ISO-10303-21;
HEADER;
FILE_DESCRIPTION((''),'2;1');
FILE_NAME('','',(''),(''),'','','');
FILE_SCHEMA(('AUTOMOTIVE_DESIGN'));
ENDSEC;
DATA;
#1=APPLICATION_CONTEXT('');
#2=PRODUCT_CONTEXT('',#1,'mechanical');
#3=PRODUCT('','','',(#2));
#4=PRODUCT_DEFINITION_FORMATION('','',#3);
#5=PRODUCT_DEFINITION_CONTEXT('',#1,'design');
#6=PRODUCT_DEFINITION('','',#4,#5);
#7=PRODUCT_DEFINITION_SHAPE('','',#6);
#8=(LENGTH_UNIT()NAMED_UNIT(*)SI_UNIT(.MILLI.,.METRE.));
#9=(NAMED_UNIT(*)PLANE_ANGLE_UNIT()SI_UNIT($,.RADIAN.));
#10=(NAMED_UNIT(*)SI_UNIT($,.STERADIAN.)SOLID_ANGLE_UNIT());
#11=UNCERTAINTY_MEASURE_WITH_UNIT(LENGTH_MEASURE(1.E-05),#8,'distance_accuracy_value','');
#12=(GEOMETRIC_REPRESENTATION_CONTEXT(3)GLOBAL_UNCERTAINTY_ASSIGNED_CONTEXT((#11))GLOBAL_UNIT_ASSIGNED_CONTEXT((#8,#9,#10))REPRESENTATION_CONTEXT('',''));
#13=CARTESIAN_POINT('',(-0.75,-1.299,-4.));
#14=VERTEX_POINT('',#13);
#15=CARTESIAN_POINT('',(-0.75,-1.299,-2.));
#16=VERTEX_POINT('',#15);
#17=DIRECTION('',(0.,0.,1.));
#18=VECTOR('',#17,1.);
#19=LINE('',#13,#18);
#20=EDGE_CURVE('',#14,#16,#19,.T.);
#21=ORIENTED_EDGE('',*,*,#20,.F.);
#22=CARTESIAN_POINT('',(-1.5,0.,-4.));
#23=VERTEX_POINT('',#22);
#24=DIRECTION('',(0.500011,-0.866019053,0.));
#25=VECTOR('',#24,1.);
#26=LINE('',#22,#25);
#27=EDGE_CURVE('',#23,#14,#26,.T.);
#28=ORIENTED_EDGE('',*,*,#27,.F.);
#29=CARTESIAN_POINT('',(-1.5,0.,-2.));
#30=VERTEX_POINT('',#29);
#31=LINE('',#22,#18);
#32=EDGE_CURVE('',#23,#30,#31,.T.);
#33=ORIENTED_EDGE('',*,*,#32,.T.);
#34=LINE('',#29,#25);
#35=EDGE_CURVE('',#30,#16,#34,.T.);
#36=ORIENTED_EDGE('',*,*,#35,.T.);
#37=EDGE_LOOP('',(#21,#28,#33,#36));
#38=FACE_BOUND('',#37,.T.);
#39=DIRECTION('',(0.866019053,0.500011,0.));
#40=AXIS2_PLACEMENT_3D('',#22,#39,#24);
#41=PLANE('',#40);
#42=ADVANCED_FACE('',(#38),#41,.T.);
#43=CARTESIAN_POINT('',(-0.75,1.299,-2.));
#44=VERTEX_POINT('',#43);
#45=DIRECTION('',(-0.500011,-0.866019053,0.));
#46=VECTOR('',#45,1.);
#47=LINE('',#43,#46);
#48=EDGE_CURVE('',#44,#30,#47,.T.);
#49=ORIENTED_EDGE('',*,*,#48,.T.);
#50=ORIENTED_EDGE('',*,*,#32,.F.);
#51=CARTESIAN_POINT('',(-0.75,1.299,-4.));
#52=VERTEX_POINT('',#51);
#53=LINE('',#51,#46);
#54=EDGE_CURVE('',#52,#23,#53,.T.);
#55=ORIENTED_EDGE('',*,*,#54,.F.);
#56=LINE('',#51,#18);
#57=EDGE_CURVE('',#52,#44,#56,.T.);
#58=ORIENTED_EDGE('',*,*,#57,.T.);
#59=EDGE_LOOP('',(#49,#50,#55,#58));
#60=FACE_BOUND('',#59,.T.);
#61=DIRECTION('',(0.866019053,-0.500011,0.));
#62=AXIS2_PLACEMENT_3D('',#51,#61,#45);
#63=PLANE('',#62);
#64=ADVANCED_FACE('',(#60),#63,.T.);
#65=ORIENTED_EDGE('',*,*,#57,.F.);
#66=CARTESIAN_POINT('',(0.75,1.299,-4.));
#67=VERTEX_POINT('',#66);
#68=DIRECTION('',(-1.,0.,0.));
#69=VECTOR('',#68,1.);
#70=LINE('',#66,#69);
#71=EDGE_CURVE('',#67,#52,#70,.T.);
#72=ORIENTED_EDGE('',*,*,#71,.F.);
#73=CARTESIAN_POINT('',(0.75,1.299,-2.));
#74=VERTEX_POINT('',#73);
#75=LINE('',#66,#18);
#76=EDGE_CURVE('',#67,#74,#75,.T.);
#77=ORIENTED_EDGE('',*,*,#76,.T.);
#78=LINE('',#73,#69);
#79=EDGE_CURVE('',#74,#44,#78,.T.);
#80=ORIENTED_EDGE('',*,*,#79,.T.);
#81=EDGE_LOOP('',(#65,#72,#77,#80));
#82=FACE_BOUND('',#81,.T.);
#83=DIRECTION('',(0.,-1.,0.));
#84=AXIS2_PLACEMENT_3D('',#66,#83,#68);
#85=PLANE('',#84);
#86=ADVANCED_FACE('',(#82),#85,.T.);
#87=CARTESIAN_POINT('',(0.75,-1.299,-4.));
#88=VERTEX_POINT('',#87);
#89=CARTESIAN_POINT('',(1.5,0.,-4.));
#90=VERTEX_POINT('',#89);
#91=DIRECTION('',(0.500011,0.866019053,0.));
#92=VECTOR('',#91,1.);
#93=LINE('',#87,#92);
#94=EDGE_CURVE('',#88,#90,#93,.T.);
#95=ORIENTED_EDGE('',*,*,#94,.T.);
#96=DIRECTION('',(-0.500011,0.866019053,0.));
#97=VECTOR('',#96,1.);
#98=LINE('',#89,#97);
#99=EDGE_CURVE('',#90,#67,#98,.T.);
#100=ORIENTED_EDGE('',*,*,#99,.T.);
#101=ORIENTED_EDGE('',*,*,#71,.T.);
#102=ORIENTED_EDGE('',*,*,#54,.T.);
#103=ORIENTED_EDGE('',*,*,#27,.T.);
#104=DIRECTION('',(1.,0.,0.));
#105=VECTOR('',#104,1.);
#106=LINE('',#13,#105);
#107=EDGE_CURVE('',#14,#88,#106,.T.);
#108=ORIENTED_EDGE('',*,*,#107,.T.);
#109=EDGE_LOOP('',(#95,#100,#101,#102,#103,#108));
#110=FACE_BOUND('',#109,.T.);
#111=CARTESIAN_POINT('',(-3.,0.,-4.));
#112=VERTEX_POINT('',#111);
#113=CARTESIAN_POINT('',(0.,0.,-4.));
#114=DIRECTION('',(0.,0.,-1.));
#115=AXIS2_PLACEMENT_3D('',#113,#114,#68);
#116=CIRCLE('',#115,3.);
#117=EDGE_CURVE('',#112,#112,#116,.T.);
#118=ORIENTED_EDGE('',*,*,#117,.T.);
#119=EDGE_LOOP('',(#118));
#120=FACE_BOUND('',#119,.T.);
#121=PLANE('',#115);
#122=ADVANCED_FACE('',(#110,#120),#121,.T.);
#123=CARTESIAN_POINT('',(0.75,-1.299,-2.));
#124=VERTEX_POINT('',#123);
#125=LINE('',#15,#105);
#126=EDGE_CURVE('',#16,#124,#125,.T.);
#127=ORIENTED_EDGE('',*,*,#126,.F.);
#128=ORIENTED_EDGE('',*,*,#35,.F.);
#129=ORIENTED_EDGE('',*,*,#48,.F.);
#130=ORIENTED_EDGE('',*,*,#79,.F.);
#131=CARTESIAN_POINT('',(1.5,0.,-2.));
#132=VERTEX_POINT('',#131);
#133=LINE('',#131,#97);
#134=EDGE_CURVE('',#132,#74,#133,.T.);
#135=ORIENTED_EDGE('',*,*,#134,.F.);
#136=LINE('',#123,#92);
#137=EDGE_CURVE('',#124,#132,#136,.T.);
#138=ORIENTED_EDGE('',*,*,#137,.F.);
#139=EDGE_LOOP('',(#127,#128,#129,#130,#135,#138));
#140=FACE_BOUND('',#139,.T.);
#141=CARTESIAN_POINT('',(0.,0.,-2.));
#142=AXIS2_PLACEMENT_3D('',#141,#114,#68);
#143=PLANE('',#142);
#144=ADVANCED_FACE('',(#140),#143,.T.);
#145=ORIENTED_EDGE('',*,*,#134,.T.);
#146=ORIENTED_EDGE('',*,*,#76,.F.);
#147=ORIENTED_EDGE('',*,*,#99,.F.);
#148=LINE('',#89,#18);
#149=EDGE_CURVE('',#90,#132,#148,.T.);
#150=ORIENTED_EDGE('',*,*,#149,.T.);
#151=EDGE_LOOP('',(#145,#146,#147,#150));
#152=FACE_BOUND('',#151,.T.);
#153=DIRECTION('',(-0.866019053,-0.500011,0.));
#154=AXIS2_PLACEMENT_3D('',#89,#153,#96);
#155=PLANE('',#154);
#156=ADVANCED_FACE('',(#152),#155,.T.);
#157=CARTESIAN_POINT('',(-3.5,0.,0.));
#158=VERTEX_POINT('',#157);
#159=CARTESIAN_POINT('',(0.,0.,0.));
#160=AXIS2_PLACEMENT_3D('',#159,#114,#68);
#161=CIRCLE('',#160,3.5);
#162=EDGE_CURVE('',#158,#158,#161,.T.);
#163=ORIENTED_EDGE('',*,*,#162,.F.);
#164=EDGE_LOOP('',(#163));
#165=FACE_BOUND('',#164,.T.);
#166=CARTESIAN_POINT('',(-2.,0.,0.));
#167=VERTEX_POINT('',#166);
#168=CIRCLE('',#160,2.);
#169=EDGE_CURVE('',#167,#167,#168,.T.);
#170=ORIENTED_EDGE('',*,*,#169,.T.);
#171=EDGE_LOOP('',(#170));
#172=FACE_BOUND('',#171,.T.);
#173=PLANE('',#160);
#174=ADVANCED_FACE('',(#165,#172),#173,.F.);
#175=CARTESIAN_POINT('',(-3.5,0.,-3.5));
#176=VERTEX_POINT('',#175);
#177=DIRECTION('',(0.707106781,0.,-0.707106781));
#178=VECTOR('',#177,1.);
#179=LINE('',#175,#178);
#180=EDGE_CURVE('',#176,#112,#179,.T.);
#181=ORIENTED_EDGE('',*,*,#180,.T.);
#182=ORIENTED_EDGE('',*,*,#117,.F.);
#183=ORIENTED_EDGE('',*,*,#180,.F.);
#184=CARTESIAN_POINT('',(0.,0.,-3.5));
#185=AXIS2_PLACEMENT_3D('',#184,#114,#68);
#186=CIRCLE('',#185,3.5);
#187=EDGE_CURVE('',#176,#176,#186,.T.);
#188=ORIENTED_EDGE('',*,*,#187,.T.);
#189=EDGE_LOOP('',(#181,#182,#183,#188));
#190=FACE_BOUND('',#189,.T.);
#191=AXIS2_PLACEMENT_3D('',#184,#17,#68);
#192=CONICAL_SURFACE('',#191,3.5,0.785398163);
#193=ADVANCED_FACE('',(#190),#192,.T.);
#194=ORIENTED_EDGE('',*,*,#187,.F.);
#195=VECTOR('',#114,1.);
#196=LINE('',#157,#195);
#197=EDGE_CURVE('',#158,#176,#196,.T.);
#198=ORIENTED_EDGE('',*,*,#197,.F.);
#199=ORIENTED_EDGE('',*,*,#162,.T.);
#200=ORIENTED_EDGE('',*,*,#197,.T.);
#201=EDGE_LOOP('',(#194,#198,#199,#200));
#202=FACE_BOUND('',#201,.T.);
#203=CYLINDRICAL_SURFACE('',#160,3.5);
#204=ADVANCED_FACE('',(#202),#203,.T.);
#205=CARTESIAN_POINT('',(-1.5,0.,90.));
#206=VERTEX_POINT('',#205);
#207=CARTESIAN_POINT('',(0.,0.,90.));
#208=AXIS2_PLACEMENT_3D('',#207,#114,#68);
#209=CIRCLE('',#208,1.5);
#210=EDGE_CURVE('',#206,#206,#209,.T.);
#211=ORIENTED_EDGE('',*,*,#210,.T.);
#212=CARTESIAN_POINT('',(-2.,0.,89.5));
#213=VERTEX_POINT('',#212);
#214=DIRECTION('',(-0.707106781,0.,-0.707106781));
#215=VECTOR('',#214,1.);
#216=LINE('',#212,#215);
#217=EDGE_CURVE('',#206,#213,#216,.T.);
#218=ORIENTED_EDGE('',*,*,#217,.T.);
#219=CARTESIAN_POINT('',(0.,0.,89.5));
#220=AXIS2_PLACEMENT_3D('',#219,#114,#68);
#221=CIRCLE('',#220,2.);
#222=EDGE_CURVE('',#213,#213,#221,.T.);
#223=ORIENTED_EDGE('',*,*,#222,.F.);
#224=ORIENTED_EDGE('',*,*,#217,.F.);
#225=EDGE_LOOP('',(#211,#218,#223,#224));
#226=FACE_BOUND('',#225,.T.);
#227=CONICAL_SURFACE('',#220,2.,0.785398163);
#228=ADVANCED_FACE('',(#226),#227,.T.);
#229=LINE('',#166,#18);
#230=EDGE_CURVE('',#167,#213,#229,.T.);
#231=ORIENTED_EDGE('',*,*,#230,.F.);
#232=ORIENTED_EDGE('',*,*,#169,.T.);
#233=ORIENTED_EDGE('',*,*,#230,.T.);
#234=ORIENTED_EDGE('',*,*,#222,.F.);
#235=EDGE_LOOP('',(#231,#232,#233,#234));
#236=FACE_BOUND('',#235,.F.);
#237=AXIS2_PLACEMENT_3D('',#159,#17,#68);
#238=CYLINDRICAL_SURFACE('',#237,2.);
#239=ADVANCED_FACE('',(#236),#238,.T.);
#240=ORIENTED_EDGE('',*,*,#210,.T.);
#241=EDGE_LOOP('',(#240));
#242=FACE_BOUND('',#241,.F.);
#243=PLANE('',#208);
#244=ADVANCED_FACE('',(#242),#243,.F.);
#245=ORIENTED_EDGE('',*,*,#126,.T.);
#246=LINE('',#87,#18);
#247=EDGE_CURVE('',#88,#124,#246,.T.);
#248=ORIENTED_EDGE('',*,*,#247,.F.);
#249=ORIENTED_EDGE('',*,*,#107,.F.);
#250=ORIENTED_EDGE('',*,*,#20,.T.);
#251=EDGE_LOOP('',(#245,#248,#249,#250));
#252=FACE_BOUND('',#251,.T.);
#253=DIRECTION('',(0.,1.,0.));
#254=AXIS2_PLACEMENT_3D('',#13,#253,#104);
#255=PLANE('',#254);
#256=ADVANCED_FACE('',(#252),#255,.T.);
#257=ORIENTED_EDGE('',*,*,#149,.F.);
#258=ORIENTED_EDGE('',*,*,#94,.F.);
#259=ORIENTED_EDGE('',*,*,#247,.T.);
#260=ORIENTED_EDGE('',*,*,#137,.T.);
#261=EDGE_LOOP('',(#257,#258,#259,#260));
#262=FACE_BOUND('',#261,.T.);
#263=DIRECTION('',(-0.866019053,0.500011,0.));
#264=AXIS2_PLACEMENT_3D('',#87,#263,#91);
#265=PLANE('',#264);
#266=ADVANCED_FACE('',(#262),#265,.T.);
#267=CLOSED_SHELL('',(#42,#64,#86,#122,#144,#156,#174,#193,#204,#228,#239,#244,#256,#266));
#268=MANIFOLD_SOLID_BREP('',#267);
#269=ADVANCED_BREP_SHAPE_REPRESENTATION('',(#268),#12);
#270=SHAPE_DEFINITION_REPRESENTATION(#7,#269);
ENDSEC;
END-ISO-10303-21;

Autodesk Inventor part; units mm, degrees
ref_plane "YZ Plane" through (0, 0, 0) normal (1, 0, 0) x (0, 1, 0)
ref_plane "XZ Plane" through (0, 0, 0) normal (0, 1, 0) x (-1, 0, 0)
ref_plane "XY Plane" through (0, 0, 0) normal (0, 0, 1) x (1, 0, 0)
sketch "Sketch1" plane through (0, 0, 0) normal (0, 1, 0) x (-1, 0, 0)
  line L0 (0, 0) -> (2, 0)
  line L1 (2, 0) -> (2, 90)
  line L2 (2, 90) -> (0, 90)
  line L3 (0, 90) -> (0, 0)
  line L4 (0, 0) -> (3.5, 0)
  line L5 (3.5, 0) -> (3.5, -4)
  line L6 (3.5, -4) -> (0, -4)
  line L7 (0, -4) -> (0, 0)
  dimension "d0" = 2
  dimension "d1" = 90
  dimension "d2" = 3.5
  dimension "d3" = 4
revolve "Revolution1" add sketch "Sketch1" angle 360 about axis through (0, 0, 90) along (0, 0, -1)
chamfer "Chamfer1" distance 0.5 angle 45 2 edges at (2, 0, 90) (3.5, 0, -4)
thread "Thread1" size "M4x0.7" class "6g" standard "ANSI Metric M Profile" length 40
sketch "Sketch2" plane through (0, 0, -4) normal (0, 0, -1) x (-1, 0, 0)
  line L0 (0, 0) -> (1.5, 0)
  line L1 (0, 0) -> (0.75, 1.299)
  line L2 (0, 0) -> (-0.75, 1.299)
  line L3 (0, 0) -> (-1.5, 0)
  line L4 (0, 0) -> (-0.75, -1.299)
  line L5 (0, 0) -> (0.75, -1.299)
  line L6 (0.75, 1.299) -> (1.5, 0)
  line L7 (1.5, 0) -> (0.75, -1.299)
  circle A0 centre (0, 0) radius 1.5 projected
  line L8 (0.75, -1.299) -> (-0.75, -1.299)
  line L9 (-0.75, -1.299) -> (-1.5, 0)
  line L10 (-1.5, 0) -> (-0.75, 1.299)
  line L11 (-0.75, 1.299) -> (0.75, 1.299)
  dimension "d10" = 1.5
  dimension "d13" = 360
extrude "Extrusion1" cut sketch "Sketch2" against normal blind 2 contours L1 L6 L0 | L2 L11 L1 | L3 L10 L2 | L4 L9 L3 | L5 L8 L4 | L0 L7 L5
properties part number "screw_4_90"
